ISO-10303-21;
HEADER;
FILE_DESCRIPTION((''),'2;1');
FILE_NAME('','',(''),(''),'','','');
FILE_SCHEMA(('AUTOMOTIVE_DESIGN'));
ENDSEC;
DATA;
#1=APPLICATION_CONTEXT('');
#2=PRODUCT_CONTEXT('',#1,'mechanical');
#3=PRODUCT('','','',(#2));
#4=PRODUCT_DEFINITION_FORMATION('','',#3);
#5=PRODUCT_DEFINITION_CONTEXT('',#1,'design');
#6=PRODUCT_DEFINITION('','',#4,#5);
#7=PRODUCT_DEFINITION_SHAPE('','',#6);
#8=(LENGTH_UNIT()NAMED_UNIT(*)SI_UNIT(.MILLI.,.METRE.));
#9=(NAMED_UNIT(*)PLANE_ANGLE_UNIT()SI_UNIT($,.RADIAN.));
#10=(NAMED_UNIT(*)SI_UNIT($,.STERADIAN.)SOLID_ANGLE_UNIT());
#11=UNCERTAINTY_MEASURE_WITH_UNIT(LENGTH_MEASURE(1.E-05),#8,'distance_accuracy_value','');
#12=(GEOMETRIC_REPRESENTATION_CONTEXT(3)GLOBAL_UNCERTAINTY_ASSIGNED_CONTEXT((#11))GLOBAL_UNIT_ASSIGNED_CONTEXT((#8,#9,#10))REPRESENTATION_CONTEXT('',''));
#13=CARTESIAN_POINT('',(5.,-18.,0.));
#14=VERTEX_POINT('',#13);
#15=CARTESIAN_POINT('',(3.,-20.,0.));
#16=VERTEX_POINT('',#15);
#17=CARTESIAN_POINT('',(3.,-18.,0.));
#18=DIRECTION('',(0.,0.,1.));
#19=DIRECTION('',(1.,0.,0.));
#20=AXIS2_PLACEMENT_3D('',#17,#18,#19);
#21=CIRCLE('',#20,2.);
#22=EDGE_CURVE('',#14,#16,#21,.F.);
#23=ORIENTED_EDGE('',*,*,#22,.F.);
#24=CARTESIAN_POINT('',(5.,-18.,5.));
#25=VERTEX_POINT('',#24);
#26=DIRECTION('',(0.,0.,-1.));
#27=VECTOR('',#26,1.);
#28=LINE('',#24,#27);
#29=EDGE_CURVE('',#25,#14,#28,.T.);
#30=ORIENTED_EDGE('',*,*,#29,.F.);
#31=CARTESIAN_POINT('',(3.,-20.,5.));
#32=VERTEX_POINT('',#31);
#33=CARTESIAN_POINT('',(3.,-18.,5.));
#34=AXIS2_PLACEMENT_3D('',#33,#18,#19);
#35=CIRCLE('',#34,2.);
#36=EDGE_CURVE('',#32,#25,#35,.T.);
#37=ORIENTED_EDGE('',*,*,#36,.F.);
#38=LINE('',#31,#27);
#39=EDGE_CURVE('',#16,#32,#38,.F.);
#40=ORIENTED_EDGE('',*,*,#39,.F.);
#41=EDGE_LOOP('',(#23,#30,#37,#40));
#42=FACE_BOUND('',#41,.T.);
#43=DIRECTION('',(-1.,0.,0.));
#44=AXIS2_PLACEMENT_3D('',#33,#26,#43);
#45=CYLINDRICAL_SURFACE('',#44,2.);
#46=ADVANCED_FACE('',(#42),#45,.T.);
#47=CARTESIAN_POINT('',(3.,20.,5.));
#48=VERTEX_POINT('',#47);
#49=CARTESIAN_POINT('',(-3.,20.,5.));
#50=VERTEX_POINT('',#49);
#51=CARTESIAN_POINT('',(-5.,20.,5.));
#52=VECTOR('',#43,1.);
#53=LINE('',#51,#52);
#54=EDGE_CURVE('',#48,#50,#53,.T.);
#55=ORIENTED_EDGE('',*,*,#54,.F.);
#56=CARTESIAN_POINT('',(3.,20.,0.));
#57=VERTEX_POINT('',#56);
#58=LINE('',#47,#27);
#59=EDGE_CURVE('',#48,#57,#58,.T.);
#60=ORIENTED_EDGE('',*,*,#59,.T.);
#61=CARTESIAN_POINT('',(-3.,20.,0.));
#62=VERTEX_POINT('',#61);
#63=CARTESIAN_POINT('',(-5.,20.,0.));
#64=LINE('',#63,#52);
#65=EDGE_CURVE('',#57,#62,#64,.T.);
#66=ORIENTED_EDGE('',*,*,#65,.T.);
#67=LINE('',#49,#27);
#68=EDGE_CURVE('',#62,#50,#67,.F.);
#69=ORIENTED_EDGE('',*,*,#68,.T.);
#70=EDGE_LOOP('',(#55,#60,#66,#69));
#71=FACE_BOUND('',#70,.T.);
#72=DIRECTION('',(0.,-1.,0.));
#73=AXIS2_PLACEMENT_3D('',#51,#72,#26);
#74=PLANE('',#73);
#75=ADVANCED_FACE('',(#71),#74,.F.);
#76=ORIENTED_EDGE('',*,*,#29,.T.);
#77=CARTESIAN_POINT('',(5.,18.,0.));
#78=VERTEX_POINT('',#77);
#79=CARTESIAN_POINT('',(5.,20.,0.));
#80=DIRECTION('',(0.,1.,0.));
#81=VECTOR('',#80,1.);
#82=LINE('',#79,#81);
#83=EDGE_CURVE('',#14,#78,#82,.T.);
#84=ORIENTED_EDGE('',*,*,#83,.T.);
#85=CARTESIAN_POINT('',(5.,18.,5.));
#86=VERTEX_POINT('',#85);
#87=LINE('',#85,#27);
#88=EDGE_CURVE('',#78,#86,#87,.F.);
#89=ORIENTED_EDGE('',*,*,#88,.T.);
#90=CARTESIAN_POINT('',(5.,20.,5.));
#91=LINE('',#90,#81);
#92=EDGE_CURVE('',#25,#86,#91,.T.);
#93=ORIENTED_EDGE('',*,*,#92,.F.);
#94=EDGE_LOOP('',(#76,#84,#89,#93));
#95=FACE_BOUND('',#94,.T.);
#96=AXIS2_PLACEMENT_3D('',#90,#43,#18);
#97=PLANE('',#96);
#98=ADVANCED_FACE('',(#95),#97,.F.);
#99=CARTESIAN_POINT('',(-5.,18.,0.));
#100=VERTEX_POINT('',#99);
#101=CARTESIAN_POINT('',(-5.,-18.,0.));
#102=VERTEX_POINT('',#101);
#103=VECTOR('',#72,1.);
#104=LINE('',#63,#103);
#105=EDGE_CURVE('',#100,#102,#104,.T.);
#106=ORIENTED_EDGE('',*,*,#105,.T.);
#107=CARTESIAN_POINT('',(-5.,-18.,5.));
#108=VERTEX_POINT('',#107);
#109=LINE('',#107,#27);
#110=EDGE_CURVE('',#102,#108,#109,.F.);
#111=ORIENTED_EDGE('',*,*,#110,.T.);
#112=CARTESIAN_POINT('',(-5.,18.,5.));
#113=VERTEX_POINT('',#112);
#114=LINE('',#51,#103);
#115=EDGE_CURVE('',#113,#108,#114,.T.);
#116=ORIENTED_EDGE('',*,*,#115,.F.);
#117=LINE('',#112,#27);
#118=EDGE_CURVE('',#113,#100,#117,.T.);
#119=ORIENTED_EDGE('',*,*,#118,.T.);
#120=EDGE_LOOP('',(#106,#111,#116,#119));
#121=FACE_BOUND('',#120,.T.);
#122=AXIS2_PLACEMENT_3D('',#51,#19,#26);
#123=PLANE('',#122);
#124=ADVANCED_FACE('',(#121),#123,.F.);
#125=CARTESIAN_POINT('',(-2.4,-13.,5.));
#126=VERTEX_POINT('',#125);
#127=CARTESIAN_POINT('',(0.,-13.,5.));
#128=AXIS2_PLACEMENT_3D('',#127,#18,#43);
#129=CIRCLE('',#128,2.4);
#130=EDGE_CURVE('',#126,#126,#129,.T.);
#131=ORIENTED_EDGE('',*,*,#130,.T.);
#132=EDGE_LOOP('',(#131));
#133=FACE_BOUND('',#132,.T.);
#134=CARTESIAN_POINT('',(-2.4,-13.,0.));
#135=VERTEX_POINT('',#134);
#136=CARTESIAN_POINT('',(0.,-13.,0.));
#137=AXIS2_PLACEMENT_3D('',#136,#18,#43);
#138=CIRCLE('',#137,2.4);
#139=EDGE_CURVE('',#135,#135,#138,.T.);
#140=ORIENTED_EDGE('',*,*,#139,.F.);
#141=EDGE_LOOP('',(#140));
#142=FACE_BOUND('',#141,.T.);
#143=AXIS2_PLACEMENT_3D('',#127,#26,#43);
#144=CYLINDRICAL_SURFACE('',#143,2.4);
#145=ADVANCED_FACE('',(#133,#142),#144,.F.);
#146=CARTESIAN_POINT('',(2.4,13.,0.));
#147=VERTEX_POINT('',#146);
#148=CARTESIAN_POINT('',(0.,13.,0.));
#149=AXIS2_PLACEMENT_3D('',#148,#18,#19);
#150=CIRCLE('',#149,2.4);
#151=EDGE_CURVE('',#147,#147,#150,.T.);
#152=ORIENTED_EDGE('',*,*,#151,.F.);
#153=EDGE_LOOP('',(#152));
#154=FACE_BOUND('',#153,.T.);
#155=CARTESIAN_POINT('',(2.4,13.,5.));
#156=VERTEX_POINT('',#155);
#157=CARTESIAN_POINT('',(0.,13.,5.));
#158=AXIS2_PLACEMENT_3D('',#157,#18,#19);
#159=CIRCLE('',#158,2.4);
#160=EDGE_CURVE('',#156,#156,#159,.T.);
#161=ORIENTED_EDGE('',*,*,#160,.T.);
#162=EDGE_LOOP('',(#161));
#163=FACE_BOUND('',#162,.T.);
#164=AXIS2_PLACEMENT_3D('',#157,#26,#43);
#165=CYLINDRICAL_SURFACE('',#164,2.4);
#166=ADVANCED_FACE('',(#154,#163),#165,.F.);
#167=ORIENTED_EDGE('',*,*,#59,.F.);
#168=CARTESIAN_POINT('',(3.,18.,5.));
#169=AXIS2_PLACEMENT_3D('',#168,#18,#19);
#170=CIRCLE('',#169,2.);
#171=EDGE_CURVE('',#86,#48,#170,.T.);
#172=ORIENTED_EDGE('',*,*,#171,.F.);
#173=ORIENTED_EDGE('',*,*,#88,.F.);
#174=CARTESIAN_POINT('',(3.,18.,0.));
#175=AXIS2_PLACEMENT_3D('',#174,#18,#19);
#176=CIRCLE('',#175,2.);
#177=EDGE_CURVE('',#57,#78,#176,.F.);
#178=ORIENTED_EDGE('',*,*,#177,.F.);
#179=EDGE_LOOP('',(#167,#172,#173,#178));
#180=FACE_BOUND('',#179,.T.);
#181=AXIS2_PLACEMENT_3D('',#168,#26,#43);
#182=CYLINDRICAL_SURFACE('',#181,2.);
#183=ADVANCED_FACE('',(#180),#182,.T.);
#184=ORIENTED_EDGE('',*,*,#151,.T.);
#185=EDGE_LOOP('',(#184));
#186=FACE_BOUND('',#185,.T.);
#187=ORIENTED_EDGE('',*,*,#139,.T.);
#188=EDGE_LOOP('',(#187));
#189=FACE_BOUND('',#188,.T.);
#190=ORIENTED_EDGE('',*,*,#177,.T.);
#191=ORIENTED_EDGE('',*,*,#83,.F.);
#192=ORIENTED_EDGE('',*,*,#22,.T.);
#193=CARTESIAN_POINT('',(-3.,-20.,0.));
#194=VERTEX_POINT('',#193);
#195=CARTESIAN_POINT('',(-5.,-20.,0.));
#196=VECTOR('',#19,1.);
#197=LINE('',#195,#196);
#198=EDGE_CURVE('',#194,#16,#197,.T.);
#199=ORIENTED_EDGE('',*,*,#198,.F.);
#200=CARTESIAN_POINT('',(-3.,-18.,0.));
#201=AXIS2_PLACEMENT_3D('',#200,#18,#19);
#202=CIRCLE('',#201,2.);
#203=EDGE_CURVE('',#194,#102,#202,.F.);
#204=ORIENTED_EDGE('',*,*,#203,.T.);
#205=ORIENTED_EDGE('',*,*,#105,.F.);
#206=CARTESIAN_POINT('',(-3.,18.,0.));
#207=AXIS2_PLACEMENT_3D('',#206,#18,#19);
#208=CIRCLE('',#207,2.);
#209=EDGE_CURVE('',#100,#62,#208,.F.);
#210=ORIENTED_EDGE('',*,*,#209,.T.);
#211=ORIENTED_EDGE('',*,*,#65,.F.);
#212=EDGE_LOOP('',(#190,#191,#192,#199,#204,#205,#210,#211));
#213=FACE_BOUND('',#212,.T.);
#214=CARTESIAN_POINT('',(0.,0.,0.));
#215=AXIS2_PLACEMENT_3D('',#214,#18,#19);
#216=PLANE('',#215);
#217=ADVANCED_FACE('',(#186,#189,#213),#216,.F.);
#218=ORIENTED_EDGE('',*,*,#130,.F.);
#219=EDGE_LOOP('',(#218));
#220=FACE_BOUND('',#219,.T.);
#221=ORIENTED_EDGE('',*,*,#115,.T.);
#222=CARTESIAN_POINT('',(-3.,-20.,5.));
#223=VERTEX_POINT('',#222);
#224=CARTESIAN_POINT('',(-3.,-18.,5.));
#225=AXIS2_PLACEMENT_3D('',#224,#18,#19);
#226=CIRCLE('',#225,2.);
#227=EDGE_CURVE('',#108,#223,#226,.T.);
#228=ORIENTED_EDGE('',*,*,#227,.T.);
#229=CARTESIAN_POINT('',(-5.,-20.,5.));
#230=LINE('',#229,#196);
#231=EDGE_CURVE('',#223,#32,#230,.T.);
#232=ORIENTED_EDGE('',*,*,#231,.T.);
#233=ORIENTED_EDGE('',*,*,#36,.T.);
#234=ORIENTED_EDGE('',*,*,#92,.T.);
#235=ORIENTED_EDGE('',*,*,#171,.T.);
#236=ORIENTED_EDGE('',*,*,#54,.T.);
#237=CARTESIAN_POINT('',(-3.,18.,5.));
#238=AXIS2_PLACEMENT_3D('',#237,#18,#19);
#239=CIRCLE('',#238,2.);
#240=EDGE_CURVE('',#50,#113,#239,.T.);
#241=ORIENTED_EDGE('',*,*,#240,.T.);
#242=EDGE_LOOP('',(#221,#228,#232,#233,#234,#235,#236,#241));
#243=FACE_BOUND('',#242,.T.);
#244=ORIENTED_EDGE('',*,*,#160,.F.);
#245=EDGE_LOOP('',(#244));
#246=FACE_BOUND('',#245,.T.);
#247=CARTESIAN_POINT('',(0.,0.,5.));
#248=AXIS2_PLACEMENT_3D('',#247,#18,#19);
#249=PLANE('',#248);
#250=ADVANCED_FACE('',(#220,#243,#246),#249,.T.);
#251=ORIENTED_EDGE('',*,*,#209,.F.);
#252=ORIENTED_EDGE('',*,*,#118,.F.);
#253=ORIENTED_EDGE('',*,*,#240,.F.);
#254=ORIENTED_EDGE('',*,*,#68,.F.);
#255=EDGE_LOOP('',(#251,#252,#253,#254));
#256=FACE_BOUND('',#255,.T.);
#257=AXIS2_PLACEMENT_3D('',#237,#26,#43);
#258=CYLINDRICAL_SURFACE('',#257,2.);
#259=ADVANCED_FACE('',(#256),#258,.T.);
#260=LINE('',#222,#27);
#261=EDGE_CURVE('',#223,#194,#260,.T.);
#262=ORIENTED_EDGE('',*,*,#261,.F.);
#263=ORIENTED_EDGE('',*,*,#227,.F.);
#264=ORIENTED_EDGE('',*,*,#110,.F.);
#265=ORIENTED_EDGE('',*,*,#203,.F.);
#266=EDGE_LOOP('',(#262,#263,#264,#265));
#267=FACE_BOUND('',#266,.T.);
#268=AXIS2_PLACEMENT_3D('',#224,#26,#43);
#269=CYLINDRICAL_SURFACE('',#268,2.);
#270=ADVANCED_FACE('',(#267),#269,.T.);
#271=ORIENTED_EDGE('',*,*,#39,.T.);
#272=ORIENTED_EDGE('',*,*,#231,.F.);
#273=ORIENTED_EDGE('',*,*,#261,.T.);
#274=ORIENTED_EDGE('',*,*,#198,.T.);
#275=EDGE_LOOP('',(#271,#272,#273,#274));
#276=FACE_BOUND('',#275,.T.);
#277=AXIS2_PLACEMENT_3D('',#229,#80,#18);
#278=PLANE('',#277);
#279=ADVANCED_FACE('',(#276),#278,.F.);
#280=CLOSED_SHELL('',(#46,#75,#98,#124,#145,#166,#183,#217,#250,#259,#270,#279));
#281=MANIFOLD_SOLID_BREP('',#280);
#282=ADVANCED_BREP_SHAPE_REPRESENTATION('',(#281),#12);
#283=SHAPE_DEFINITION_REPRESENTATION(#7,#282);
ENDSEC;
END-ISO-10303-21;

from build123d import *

# Parameters (mm, degrees)
SKETCH1_W           = 10
SKETCH1_H           = 40
SKETCH1_R           = 2.4
BOSS_EXTRUDE1_DEPTH = 5
FILLET1_R           = 2


with BuildPart() as part:
    # Sketch1 → Boss-Extrude1 (new body)
    with BuildSketch(Plane.XY):
        Rectangle(SKETCH1_W, SKETCH1_H)
        with Locations((0, 13)):
            Circle(SKETCH1_R, mode=Mode.SUBTRACT)
        with Locations((0, -13)):
            Circle(SKETCH1_R, mode=Mode.SUBTRACT)
    extrude(amount=BOSS_EXTRUDE1_DEPTH)

    # Fillet1
    fillet1_edges = [part.edges().sort_by_distance(p)[0] for p in [
        (5, -20, 2.5),
        (-5, -20, 2.5),
        (-5, 20, 2.5),
        (5, 20, 2.5),
    ]]
    fillet(fillet1_edges, radius=FILLET1_R)


solid = part.part
